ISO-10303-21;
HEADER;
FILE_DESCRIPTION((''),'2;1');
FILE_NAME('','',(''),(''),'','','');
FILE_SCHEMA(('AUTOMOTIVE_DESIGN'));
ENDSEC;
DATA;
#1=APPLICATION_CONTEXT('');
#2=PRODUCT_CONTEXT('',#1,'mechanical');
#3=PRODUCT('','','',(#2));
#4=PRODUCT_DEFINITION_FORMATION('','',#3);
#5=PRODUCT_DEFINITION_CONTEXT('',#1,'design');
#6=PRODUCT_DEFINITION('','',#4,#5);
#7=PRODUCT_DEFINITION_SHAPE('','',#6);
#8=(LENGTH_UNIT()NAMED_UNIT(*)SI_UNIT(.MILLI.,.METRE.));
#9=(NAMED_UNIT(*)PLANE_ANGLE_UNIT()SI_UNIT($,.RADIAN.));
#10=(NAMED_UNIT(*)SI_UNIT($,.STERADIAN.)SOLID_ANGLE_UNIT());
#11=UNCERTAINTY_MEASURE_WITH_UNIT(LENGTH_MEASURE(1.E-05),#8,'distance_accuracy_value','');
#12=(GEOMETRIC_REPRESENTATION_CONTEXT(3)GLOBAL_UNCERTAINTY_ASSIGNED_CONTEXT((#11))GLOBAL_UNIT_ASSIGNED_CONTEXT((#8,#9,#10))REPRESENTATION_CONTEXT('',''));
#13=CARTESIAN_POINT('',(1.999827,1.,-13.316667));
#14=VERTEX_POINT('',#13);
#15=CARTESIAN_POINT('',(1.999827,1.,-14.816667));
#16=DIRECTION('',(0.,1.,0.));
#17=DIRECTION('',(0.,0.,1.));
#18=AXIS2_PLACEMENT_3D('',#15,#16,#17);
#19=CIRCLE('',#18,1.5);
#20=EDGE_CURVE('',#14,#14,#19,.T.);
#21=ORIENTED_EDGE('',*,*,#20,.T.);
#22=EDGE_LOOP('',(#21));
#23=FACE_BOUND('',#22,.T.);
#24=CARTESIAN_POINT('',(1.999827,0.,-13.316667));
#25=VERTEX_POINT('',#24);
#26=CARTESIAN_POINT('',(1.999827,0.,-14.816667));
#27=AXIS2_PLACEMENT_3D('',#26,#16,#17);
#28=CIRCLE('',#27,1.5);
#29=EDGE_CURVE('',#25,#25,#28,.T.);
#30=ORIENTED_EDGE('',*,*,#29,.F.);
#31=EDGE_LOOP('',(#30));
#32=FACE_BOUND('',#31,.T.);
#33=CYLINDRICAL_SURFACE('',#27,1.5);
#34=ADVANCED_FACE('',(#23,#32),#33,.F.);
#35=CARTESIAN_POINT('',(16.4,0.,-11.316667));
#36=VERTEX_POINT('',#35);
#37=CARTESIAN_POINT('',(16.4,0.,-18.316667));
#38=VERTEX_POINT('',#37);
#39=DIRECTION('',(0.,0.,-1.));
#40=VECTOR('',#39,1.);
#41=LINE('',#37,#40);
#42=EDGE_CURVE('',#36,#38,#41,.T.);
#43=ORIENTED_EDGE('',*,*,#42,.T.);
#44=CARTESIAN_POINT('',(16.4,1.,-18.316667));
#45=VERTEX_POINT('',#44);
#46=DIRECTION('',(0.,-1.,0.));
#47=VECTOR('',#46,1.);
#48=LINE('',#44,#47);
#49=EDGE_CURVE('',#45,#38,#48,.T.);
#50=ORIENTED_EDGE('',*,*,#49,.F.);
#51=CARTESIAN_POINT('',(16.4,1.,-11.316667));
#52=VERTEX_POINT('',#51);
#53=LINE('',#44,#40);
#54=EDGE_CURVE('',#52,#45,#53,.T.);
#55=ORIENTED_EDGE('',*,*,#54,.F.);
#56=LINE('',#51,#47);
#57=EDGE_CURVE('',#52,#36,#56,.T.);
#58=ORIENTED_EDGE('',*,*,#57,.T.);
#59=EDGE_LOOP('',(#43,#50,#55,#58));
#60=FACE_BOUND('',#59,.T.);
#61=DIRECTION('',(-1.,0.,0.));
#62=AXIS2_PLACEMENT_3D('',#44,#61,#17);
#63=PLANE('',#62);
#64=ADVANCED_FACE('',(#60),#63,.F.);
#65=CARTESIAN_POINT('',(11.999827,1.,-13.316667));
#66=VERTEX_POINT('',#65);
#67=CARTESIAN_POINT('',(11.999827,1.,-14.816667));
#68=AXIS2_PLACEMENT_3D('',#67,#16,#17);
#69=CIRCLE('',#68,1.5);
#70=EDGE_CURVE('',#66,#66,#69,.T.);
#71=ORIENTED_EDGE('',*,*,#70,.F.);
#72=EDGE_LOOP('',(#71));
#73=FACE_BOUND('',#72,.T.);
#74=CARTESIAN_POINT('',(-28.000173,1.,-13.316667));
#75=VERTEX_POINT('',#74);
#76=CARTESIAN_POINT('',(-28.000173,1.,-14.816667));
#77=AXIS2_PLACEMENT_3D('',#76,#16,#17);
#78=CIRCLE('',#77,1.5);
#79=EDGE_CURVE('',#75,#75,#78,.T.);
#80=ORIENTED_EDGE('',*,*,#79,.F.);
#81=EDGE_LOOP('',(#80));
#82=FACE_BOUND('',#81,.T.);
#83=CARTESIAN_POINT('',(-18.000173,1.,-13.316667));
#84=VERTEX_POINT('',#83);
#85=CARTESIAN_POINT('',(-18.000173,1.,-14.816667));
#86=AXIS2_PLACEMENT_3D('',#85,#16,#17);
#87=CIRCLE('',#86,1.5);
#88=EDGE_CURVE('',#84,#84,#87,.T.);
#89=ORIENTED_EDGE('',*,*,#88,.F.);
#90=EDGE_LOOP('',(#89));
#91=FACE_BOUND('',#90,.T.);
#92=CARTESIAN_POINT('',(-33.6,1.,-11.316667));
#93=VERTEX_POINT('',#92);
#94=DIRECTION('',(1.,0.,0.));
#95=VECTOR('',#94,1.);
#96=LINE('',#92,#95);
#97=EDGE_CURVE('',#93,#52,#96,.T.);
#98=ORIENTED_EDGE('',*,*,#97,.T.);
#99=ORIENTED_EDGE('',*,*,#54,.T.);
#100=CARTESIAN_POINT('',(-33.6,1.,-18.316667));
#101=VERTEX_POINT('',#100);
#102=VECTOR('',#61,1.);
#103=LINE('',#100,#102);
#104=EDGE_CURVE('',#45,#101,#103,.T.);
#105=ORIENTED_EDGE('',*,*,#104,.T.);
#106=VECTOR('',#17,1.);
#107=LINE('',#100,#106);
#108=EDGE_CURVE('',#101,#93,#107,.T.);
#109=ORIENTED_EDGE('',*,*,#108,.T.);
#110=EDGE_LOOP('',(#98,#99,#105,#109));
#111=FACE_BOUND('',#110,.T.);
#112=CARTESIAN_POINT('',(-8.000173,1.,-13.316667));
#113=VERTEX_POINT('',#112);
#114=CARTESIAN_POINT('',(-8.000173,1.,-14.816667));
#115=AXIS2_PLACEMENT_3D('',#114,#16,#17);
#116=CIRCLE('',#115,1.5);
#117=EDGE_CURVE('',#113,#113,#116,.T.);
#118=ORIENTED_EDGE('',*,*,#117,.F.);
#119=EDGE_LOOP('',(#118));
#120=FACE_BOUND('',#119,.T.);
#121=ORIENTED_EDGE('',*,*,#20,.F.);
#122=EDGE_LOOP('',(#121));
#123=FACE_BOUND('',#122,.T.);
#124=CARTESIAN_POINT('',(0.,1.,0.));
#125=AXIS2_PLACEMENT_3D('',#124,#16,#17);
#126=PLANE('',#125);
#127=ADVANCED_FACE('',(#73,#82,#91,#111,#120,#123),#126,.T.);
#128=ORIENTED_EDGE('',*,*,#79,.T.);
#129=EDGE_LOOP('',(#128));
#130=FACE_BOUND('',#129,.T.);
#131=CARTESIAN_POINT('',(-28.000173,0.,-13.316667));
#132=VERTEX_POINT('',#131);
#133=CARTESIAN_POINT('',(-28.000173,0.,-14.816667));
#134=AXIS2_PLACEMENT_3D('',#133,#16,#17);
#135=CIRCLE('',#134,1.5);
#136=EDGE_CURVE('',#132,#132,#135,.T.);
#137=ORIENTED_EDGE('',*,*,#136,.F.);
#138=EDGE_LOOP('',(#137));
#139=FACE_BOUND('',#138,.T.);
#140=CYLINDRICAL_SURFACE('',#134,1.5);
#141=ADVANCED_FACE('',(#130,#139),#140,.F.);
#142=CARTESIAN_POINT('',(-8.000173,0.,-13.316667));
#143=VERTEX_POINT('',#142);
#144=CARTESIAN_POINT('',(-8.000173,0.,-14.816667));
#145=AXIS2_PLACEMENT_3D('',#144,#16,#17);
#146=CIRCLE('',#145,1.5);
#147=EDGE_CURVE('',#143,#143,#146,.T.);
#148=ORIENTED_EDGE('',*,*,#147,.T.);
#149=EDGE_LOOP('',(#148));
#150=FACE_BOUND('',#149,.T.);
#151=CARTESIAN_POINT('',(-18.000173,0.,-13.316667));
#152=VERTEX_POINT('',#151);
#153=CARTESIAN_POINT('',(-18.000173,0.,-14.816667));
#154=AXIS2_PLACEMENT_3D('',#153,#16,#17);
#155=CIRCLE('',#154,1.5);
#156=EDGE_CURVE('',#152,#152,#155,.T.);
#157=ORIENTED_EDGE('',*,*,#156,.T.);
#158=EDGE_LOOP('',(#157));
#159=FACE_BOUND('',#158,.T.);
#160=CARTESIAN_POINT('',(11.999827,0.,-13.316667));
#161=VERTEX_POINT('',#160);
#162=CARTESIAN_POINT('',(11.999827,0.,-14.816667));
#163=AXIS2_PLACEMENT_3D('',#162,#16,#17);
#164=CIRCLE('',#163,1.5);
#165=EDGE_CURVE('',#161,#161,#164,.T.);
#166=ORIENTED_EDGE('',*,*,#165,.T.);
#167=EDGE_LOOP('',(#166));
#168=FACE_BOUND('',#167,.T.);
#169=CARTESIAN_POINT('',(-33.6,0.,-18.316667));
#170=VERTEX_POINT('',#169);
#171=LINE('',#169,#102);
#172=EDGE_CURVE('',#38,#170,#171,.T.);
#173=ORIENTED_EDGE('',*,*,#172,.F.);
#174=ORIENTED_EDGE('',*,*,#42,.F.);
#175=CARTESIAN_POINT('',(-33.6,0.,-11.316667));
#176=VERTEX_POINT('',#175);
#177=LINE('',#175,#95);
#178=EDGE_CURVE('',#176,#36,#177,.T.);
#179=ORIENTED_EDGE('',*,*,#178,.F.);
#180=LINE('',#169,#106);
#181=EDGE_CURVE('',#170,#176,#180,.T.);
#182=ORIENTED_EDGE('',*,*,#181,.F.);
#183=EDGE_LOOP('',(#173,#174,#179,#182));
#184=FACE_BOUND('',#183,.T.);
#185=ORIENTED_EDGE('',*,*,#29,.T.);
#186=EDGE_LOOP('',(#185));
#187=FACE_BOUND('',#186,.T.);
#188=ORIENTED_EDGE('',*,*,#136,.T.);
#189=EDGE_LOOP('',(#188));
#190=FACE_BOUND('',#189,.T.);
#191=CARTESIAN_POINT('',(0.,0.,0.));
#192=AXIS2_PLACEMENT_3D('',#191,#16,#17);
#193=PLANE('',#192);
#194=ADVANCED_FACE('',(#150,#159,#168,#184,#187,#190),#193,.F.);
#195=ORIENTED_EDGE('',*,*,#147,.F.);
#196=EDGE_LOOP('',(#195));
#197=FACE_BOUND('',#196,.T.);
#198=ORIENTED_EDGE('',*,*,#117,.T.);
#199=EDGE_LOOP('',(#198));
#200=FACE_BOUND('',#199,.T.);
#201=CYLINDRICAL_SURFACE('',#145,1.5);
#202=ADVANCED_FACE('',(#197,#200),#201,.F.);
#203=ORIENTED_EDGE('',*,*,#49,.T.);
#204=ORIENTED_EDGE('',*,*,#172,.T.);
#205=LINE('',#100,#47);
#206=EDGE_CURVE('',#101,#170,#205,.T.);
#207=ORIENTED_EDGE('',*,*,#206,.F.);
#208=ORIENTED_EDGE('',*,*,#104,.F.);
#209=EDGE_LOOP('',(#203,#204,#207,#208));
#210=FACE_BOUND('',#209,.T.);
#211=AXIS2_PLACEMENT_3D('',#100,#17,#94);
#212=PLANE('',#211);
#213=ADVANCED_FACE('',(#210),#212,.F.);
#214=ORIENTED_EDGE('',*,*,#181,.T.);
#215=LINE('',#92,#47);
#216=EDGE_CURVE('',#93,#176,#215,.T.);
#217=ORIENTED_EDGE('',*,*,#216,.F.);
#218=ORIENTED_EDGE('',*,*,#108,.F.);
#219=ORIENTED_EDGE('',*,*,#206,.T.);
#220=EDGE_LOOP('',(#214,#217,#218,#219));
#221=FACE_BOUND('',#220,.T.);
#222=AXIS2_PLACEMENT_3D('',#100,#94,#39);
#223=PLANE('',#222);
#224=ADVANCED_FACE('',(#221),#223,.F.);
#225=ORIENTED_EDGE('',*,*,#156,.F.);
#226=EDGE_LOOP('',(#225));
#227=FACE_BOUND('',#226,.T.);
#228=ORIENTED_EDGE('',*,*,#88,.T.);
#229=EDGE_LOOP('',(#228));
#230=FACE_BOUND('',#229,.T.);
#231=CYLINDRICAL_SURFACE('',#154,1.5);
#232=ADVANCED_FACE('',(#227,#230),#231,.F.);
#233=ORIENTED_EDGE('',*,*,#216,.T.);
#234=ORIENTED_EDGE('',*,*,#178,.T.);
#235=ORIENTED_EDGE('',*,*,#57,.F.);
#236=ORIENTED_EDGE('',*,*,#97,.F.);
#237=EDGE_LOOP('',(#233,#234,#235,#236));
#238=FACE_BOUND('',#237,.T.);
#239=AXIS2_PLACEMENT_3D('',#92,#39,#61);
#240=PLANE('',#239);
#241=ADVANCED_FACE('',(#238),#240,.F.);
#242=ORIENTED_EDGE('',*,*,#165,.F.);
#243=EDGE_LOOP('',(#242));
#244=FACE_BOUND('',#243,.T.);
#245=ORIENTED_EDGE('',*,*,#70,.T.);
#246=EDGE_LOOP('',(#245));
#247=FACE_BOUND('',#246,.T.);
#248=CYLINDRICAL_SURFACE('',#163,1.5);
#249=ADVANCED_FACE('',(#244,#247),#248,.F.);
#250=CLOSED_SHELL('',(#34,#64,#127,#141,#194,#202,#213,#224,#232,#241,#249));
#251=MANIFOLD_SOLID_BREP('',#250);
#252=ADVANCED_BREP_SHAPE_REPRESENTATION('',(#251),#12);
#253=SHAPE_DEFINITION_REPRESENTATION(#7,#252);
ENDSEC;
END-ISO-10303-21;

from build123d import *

# Parameters (mm, degrees)
SKETCH1_W           = 50
SKETCH1_H           = 7
BOSS_EXTRUDE1_DEPTH = 1
SKETCH2_R           = 1.5
CUT_EXTRUDE1_DEPTH  = 39.281330669
LPATTERN2_COUNT     = 5
LPATTERN2_PITCH     = 10


with BuildPart() as part:
    # Sketch1 → Boss-Extrude1 (new body)
    with BuildSketch(Plane(origin=(0, 0, 0), x_dir=(1, 0, 0), z_dir=(0, 1, 0))):
        with Locations((-8.6, 14.816666667)):
            Rectangle(SKETCH1_W, SKETCH1_H)
    extrude(amount=BOSS_EXTRUDE1_DEPTH)

    # Sketch2 → Cut-Extrude1 (cut, through all)
    with BuildSketch(Plane(origin=(0, 1, 0), x_dir=(1, 0, 0), z_dir=(0, 1, 0))):
        with Locations(Location((-28.000173189, 14.816666667, 0), (0, 0, 270))):
            Circle(SKETCH2_R)
    cut_extrude1 = extrude(amount=-CUT_EXTRUDE1_DEPTH, mode=Mode.SUBTRACT)

    # LPattern2: Cut-Extrude1 ×5
    with Locations(*[(i * LPATTERN2_PITCH, 0, 0) for i in range(1, LPATTERN2_COUNT)]):
        add(cut_extrude1, mode=Mode.SUBTRACT)


solid = part.part
